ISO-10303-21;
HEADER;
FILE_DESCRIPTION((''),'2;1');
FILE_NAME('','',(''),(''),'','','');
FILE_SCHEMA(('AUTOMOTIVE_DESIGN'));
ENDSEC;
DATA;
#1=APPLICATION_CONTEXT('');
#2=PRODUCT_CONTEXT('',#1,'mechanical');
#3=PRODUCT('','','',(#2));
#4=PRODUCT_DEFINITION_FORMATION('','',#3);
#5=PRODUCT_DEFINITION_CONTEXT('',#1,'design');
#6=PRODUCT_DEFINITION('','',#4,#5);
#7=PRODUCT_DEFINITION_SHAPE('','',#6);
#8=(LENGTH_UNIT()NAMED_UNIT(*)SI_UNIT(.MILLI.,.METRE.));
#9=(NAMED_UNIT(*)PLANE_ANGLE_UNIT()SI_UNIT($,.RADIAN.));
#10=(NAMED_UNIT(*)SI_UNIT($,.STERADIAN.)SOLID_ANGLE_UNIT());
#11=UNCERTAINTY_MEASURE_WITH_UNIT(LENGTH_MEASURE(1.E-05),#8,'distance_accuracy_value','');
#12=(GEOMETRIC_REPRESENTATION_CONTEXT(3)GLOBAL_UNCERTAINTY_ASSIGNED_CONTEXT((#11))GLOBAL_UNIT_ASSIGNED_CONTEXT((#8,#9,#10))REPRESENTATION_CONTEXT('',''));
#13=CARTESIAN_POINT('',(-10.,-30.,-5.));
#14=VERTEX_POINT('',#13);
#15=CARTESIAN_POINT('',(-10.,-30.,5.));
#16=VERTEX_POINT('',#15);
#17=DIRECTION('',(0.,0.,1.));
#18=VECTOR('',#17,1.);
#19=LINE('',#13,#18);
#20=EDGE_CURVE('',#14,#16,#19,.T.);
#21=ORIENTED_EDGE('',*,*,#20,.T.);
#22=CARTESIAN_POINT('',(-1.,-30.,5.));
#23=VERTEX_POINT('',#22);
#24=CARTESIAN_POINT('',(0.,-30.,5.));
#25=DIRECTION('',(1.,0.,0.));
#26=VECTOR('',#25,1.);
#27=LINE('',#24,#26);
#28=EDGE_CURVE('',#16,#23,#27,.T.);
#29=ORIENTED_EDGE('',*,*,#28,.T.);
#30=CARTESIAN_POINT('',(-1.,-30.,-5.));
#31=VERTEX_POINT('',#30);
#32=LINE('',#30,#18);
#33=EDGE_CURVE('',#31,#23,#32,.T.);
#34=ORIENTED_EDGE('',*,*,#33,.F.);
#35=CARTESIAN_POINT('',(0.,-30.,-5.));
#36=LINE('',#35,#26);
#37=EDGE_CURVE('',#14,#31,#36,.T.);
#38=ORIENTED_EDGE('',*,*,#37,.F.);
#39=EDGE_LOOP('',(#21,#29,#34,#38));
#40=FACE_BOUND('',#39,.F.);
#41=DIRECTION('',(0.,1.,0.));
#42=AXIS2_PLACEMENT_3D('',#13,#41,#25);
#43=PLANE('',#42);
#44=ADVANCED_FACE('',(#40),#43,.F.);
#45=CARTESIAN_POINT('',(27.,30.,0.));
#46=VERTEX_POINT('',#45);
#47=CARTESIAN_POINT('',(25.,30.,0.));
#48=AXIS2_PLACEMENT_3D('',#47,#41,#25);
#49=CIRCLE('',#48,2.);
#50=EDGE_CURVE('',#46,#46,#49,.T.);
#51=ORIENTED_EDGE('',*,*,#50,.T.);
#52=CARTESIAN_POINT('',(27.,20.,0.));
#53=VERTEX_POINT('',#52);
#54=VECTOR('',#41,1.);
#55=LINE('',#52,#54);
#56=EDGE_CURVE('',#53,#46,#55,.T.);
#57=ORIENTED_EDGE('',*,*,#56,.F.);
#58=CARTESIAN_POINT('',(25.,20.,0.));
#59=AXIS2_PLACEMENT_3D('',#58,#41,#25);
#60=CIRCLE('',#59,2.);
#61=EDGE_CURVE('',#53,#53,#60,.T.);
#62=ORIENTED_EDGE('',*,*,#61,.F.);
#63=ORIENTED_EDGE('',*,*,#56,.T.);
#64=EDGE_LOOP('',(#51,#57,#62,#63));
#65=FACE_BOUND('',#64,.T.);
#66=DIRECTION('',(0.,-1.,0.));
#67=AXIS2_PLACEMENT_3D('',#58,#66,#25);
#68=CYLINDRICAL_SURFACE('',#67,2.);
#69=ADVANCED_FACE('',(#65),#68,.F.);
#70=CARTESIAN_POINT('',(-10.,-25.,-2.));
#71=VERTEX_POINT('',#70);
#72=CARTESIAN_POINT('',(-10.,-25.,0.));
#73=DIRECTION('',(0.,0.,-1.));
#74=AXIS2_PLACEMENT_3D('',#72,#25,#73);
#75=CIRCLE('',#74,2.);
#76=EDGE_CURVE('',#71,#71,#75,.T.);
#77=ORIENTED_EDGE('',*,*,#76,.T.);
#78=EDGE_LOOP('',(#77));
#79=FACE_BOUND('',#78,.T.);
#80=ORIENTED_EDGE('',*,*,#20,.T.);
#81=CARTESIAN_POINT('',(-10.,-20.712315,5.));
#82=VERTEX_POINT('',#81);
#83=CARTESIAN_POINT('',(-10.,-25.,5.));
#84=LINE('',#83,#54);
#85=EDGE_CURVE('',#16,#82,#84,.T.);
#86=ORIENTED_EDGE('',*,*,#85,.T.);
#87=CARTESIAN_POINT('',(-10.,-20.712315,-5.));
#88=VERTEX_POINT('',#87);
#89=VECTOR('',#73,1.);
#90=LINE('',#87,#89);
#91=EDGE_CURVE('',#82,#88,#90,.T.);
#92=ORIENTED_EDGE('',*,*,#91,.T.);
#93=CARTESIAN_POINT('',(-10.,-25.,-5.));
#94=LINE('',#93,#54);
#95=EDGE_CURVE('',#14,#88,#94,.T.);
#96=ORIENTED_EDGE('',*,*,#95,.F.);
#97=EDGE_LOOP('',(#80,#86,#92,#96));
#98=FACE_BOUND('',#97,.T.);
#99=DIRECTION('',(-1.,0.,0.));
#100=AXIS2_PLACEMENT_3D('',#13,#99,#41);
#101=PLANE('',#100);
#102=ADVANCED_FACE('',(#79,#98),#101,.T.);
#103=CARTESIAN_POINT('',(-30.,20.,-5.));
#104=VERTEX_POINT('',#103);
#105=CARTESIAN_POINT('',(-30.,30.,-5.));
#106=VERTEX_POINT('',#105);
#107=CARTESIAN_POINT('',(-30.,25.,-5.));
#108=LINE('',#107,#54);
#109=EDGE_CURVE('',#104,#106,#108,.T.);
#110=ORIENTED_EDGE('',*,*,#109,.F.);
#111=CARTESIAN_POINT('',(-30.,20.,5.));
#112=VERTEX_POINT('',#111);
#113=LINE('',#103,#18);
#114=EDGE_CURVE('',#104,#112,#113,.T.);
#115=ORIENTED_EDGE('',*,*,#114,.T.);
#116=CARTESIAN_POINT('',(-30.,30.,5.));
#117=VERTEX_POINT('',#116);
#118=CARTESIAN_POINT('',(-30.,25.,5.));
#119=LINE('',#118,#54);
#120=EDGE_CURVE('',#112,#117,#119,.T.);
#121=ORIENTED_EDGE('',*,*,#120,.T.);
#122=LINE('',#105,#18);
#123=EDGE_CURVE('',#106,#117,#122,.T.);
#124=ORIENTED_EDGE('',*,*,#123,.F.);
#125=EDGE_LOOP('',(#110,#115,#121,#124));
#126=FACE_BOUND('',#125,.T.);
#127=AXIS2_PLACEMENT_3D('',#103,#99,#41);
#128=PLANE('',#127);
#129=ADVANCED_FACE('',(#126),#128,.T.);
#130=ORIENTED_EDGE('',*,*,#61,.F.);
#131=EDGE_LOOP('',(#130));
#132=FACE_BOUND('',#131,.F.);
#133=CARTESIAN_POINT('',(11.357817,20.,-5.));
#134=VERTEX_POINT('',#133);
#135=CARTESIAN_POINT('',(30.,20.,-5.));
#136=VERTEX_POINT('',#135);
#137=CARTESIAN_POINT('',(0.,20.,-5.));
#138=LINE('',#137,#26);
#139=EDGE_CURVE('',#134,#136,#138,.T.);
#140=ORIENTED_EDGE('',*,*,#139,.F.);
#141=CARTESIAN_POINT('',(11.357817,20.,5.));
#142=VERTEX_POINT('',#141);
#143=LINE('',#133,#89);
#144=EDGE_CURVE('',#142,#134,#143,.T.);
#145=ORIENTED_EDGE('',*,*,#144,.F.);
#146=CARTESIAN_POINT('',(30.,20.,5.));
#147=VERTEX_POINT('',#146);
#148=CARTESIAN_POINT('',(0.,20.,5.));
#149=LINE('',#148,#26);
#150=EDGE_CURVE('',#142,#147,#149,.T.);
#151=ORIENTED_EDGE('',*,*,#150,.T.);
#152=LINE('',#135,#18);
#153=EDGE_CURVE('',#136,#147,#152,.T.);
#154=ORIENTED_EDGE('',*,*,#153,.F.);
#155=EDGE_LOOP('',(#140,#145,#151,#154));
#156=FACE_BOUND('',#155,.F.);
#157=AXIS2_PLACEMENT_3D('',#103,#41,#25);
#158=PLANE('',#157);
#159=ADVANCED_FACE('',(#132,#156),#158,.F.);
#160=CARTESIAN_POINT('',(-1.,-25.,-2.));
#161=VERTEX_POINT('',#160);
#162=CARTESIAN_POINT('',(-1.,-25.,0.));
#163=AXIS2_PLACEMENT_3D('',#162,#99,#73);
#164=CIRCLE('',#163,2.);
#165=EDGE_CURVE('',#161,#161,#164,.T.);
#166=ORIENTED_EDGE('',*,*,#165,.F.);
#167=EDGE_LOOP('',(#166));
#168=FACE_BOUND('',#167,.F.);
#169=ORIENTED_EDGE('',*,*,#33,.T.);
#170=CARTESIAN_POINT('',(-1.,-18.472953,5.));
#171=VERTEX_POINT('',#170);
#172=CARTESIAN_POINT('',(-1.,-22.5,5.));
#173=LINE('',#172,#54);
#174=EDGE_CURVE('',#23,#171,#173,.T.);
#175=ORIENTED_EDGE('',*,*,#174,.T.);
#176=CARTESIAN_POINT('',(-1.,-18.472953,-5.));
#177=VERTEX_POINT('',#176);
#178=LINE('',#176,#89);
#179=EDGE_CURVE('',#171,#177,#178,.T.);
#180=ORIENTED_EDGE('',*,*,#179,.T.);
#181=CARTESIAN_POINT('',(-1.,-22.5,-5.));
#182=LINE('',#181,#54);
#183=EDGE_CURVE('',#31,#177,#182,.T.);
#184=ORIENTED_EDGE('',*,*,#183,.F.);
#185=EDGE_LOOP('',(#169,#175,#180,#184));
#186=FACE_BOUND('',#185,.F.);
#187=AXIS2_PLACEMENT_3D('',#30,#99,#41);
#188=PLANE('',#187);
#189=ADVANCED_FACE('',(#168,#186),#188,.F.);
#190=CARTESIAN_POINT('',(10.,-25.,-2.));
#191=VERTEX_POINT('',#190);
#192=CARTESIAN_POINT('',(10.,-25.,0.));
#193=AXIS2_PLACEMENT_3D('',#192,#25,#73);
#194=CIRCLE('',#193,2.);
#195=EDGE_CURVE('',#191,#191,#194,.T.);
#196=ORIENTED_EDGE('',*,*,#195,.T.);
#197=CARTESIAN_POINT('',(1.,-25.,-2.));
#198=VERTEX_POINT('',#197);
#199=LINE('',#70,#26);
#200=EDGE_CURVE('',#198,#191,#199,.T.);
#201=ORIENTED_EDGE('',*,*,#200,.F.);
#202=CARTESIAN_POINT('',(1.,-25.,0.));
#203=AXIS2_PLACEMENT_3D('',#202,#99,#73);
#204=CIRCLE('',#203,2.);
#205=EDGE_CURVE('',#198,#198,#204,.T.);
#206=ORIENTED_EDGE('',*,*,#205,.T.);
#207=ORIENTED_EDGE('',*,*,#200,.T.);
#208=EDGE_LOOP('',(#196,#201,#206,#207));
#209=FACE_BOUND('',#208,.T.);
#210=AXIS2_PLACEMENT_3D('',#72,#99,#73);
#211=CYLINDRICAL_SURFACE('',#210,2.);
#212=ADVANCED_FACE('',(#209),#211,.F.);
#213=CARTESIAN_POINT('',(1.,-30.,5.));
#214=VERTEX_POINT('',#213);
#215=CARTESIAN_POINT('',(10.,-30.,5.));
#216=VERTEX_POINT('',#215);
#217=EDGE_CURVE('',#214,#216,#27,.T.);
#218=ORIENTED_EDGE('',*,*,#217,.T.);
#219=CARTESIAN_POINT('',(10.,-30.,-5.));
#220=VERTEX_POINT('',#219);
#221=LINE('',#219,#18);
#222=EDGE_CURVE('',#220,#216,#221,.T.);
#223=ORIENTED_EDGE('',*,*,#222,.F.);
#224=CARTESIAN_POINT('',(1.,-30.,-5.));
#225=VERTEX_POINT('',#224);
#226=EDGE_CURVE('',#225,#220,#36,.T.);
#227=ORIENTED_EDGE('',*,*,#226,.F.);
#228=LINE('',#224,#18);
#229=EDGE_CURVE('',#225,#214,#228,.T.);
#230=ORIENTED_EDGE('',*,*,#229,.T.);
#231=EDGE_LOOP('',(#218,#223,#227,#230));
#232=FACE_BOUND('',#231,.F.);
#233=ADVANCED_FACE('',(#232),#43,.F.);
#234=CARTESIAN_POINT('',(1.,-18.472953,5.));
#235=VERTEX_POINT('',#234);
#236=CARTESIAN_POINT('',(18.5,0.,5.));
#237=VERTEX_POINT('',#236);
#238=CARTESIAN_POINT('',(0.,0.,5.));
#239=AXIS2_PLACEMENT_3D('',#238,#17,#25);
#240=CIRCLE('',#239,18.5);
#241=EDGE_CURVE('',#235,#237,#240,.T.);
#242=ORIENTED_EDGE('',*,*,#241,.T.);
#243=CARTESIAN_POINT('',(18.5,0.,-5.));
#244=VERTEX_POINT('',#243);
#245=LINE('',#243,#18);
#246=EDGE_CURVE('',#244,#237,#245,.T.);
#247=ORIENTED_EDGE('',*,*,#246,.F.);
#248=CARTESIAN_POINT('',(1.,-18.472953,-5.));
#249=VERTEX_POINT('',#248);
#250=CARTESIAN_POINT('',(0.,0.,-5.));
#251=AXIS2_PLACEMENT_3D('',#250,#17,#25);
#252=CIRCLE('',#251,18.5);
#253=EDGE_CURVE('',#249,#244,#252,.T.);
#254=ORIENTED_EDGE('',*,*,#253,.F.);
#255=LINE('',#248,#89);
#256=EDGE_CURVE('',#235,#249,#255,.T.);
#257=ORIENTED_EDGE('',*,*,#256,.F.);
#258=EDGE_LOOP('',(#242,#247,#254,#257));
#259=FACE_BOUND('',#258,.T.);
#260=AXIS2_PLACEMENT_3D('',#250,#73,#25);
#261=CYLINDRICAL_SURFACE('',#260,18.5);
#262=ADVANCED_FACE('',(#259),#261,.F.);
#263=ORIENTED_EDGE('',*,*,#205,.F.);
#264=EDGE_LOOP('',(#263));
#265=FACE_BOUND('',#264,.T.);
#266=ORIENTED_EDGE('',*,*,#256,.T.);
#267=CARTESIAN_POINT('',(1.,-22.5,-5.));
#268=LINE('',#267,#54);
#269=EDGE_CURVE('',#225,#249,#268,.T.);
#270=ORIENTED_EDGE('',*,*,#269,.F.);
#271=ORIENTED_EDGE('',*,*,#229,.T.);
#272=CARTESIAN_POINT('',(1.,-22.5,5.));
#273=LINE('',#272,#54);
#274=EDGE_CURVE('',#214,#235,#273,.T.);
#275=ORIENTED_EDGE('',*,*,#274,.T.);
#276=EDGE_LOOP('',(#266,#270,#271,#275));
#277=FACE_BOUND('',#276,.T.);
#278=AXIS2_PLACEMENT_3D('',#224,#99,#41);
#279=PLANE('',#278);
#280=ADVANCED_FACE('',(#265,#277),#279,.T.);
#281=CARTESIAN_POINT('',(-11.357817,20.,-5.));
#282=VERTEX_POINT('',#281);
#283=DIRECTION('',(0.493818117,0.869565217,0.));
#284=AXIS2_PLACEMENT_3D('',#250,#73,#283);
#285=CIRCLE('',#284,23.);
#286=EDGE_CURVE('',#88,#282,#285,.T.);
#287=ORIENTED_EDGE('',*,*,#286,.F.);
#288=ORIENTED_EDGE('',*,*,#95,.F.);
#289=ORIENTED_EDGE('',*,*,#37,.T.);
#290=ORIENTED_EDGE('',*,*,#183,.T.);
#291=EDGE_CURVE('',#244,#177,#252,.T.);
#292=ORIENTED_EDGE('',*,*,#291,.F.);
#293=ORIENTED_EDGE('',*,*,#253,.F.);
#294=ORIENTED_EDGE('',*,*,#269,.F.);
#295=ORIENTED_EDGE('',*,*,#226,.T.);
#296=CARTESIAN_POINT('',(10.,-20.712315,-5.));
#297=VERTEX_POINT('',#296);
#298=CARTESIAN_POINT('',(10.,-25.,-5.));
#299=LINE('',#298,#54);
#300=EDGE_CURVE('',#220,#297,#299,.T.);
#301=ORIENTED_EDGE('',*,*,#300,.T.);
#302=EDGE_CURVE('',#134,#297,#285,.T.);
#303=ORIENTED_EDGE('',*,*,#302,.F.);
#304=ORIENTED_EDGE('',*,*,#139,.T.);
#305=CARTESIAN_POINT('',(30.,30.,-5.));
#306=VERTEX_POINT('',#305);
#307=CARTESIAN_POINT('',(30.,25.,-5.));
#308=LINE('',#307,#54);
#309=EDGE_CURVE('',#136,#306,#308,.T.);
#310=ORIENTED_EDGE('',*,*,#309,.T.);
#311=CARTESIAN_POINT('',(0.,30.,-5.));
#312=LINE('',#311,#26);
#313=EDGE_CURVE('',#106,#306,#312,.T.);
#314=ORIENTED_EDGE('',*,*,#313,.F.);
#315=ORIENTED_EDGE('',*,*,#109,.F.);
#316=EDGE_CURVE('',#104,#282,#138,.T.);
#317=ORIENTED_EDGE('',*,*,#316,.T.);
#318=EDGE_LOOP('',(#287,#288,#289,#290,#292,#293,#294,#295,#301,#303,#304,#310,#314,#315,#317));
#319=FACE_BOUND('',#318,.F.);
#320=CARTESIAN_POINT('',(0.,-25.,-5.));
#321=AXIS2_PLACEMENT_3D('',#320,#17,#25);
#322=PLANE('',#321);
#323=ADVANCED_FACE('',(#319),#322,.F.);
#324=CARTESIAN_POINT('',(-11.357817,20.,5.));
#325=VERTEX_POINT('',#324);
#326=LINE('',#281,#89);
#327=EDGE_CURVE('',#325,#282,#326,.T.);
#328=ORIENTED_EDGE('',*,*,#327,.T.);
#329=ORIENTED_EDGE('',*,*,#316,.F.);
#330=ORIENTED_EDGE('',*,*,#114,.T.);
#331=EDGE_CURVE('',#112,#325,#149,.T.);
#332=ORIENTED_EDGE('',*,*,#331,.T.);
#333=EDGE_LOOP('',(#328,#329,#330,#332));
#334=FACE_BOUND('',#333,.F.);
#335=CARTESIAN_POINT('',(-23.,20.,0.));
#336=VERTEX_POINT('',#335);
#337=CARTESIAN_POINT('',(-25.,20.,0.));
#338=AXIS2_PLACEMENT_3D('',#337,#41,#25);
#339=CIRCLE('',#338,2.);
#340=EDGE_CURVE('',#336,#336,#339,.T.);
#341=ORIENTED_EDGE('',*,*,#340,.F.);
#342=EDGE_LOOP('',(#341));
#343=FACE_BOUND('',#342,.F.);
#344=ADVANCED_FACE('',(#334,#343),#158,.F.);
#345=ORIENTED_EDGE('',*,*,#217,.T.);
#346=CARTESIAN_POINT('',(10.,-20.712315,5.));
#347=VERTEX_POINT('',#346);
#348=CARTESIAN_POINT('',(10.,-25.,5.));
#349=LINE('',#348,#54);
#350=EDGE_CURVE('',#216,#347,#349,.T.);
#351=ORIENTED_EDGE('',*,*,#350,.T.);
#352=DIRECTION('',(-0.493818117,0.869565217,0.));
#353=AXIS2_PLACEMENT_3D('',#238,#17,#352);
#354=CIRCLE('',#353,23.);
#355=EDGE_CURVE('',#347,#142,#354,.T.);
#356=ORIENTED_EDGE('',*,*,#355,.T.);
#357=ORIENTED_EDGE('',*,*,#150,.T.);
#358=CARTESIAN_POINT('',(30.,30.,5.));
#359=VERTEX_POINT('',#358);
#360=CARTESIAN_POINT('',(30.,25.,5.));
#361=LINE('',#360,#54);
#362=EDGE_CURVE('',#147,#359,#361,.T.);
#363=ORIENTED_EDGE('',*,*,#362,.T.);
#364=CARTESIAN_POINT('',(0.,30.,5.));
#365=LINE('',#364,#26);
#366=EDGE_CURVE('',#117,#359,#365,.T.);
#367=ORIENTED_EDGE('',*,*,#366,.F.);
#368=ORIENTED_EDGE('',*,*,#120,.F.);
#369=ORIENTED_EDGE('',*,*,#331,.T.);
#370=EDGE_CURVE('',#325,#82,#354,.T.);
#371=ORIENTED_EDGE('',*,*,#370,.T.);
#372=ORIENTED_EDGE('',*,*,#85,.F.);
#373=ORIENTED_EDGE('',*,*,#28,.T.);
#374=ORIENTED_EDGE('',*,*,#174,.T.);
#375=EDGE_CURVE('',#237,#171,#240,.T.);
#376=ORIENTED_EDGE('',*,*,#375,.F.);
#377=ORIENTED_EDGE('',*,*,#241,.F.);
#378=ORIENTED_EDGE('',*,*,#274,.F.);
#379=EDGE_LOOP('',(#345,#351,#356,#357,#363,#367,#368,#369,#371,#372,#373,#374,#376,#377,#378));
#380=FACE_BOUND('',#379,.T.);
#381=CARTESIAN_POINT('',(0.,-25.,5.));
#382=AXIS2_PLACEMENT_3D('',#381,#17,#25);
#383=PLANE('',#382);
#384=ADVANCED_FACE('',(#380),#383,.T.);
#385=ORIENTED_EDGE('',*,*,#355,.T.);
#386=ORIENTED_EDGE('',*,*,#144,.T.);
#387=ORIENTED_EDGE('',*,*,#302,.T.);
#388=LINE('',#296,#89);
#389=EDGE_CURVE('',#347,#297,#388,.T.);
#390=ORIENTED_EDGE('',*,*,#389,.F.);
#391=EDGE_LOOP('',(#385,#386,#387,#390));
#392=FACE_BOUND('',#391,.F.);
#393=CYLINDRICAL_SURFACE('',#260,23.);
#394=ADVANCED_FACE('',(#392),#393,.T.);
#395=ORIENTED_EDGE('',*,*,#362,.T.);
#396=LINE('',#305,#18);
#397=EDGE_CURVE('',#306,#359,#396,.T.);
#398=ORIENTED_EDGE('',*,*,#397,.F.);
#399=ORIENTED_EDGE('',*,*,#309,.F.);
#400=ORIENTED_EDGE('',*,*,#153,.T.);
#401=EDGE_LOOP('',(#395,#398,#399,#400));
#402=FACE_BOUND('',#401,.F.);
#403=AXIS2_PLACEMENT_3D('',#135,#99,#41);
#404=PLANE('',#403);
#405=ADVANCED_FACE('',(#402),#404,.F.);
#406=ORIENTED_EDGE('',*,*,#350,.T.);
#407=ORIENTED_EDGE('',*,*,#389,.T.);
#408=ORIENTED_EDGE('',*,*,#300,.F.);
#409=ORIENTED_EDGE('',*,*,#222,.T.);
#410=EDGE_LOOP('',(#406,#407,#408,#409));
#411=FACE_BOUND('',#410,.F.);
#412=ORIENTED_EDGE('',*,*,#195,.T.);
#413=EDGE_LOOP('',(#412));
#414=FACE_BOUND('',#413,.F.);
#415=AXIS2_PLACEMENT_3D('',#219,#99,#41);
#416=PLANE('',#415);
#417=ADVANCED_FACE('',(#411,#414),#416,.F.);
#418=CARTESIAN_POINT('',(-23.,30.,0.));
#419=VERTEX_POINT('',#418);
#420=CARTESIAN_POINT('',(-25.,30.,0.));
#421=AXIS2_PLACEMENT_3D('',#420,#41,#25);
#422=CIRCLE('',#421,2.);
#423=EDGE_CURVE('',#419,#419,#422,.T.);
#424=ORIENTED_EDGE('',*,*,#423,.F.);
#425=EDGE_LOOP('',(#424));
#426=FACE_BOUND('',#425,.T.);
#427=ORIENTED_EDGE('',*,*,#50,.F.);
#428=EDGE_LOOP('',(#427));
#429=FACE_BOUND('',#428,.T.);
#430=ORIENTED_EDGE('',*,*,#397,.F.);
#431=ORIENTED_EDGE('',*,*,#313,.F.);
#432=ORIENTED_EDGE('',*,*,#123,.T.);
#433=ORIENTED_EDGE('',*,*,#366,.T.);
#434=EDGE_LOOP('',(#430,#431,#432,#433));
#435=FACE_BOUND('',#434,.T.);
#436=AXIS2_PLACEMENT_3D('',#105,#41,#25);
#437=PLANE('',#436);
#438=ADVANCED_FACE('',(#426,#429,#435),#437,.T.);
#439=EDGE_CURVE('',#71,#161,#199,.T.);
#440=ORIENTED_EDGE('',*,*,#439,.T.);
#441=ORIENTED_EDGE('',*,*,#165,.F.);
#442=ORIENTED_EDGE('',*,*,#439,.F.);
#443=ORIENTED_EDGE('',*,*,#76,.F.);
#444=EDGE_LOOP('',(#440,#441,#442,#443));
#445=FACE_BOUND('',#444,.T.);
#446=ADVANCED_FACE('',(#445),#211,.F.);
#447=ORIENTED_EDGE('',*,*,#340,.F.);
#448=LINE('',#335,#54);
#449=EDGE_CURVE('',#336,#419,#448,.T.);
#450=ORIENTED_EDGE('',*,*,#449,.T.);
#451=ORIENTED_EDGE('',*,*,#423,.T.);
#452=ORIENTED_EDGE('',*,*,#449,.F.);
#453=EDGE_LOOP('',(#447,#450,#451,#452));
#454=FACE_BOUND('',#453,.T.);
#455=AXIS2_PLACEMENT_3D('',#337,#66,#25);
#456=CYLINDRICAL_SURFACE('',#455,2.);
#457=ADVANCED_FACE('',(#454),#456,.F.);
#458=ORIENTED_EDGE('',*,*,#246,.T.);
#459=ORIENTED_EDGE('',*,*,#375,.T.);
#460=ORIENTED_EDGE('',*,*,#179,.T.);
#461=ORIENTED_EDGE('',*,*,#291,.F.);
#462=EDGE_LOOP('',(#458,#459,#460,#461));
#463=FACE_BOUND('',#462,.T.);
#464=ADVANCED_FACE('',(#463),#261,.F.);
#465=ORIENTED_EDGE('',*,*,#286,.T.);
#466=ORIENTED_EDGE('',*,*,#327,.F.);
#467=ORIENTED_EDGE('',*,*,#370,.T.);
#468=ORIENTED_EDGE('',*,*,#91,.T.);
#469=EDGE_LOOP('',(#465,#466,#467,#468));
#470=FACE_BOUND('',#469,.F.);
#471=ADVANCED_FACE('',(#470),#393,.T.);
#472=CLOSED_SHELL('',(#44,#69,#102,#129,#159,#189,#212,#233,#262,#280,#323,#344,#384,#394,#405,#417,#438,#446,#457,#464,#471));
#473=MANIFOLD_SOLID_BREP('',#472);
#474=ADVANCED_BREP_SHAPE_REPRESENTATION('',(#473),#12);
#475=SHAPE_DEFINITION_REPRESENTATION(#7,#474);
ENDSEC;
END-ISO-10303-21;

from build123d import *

# Parameters (mm, degrees)
CYLINDER002_R     = 2
CYLINDER002_DEPTH = 10
CYLINDER001_R     = 18.5
CYLINDER001_DEPTH = 10
CYLINDER004_R     = 2
CYLINDER004_DEPTH = 20
BOX002_W          = 2
BOX002_H          = 15
BOX002_DEPTH      = 10
CYLINDER003_R     = 2
CYLINDER003_DEPTH = 10
BOX_W             = 60
BOX_H             = 10
BOX_DEPTH         = 10
BOX001_W          = 20
BOX001_H          = 10
BOX001_DEPTH      = 10
CYLINDER_R        = 23
CYLINDER_DEPTH    = 10


with BuildPart() as cylinder002:
    # Cylinder002 → Cylinder002 (new body)
    with BuildSketch(Plane(origin=(25, 20, 0), x_dir=(1, 0, 0), z_dir=(0, 1, 0))):
        Circle(CYLINDER002_R)
    extrude(amount=CYLINDER002_DEPTH)


with BuildPart() as cylinder001:
    # Cylinder001 → Cylinder001 (new body)
    with BuildSketch(Plane.XY.offset(-5)):
        Circle(CYLINDER001_R)
    extrude(amount=CYLINDER001_DEPTH)


with BuildPart() as cylinder004:
    # Cylinder004 → Cylinder004 (new body)
    with BuildSketch(Plane(origin=(-10, -25, 0), x_dir=(0, 0, -1), z_dir=(1, 0, 0))):
        Circle(CYLINDER004_R)
    extrude(amount=CYLINDER004_DEPTH)


with BuildPart() as cube002:
    # Box002 → Box002 (new body)
    with BuildSketch(Plane(origin=(-1, -30, -5), x_dir=(1, 0, 0), z_dir=(0, 0, 1))):
        with Locations((1, 7.5)):
            Rectangle(BOX002_W, BOX002_H)
    extrude(amount=BOX002_DEPTH)


with BuildPart() as negative_fusion:
    # Cylinder003 → Cylinder003 (new body)
    with BuildSketch(Plane(origin=(-25, 20, 0), x_dir=(1, 0, 0), z_dir=(0, 1, 0))):
        Circle(CYLINDER003_R)
    extrude(amount=CYLINDER003_DEPTH)

    # Fusion001: union Cylinder002, Cylinder001, Cylinder004, Cube002
    add(cylinder002.part)
    add(cylinder001.part)
    add(cylinder004.part)
    add(cube002.part)


with BuildPart() as cube:
    # Box → Box (new body)
    with BuildSketch(Plane(origin=(-30, 20, -5), x_dir=(1, 0, 0), z_dir=(0, 0, 1))):
        with Locations((30, 5)):
            Rectangle(BOX_W, BOX_H)
    extrude(amount=BOX_DEPTH)


with BuildPart() as cube001:
    # Box001 → Box001 (new body)
    with BuildSketch(Plane(origin=(-10, -30, -5), x_dir=(1, 0, 0), z_dir=(0, 0, 1))):
        with Locations((10, 5)):
            Rectangle(BOX001_W, BOX001_H)
    extrude(amount=BOX001_DEPTH)


with BuildPart() as cut:
    # Cylinder → Cylinder (new body)
    with BuildSketch(Plane.XY.offset(-5)):
        Circle(CYLINDER_R)
    extrude(amount=CYLINDER_DEPTH)

    # Fusion: union Cube, Cube001
    add(cube.part)
    add(cube001.part)

    # Cut: cut Negative Fusion
    add(negative_fusion.part, mode=Mode.SUBTRACT)


solid = cut.part
